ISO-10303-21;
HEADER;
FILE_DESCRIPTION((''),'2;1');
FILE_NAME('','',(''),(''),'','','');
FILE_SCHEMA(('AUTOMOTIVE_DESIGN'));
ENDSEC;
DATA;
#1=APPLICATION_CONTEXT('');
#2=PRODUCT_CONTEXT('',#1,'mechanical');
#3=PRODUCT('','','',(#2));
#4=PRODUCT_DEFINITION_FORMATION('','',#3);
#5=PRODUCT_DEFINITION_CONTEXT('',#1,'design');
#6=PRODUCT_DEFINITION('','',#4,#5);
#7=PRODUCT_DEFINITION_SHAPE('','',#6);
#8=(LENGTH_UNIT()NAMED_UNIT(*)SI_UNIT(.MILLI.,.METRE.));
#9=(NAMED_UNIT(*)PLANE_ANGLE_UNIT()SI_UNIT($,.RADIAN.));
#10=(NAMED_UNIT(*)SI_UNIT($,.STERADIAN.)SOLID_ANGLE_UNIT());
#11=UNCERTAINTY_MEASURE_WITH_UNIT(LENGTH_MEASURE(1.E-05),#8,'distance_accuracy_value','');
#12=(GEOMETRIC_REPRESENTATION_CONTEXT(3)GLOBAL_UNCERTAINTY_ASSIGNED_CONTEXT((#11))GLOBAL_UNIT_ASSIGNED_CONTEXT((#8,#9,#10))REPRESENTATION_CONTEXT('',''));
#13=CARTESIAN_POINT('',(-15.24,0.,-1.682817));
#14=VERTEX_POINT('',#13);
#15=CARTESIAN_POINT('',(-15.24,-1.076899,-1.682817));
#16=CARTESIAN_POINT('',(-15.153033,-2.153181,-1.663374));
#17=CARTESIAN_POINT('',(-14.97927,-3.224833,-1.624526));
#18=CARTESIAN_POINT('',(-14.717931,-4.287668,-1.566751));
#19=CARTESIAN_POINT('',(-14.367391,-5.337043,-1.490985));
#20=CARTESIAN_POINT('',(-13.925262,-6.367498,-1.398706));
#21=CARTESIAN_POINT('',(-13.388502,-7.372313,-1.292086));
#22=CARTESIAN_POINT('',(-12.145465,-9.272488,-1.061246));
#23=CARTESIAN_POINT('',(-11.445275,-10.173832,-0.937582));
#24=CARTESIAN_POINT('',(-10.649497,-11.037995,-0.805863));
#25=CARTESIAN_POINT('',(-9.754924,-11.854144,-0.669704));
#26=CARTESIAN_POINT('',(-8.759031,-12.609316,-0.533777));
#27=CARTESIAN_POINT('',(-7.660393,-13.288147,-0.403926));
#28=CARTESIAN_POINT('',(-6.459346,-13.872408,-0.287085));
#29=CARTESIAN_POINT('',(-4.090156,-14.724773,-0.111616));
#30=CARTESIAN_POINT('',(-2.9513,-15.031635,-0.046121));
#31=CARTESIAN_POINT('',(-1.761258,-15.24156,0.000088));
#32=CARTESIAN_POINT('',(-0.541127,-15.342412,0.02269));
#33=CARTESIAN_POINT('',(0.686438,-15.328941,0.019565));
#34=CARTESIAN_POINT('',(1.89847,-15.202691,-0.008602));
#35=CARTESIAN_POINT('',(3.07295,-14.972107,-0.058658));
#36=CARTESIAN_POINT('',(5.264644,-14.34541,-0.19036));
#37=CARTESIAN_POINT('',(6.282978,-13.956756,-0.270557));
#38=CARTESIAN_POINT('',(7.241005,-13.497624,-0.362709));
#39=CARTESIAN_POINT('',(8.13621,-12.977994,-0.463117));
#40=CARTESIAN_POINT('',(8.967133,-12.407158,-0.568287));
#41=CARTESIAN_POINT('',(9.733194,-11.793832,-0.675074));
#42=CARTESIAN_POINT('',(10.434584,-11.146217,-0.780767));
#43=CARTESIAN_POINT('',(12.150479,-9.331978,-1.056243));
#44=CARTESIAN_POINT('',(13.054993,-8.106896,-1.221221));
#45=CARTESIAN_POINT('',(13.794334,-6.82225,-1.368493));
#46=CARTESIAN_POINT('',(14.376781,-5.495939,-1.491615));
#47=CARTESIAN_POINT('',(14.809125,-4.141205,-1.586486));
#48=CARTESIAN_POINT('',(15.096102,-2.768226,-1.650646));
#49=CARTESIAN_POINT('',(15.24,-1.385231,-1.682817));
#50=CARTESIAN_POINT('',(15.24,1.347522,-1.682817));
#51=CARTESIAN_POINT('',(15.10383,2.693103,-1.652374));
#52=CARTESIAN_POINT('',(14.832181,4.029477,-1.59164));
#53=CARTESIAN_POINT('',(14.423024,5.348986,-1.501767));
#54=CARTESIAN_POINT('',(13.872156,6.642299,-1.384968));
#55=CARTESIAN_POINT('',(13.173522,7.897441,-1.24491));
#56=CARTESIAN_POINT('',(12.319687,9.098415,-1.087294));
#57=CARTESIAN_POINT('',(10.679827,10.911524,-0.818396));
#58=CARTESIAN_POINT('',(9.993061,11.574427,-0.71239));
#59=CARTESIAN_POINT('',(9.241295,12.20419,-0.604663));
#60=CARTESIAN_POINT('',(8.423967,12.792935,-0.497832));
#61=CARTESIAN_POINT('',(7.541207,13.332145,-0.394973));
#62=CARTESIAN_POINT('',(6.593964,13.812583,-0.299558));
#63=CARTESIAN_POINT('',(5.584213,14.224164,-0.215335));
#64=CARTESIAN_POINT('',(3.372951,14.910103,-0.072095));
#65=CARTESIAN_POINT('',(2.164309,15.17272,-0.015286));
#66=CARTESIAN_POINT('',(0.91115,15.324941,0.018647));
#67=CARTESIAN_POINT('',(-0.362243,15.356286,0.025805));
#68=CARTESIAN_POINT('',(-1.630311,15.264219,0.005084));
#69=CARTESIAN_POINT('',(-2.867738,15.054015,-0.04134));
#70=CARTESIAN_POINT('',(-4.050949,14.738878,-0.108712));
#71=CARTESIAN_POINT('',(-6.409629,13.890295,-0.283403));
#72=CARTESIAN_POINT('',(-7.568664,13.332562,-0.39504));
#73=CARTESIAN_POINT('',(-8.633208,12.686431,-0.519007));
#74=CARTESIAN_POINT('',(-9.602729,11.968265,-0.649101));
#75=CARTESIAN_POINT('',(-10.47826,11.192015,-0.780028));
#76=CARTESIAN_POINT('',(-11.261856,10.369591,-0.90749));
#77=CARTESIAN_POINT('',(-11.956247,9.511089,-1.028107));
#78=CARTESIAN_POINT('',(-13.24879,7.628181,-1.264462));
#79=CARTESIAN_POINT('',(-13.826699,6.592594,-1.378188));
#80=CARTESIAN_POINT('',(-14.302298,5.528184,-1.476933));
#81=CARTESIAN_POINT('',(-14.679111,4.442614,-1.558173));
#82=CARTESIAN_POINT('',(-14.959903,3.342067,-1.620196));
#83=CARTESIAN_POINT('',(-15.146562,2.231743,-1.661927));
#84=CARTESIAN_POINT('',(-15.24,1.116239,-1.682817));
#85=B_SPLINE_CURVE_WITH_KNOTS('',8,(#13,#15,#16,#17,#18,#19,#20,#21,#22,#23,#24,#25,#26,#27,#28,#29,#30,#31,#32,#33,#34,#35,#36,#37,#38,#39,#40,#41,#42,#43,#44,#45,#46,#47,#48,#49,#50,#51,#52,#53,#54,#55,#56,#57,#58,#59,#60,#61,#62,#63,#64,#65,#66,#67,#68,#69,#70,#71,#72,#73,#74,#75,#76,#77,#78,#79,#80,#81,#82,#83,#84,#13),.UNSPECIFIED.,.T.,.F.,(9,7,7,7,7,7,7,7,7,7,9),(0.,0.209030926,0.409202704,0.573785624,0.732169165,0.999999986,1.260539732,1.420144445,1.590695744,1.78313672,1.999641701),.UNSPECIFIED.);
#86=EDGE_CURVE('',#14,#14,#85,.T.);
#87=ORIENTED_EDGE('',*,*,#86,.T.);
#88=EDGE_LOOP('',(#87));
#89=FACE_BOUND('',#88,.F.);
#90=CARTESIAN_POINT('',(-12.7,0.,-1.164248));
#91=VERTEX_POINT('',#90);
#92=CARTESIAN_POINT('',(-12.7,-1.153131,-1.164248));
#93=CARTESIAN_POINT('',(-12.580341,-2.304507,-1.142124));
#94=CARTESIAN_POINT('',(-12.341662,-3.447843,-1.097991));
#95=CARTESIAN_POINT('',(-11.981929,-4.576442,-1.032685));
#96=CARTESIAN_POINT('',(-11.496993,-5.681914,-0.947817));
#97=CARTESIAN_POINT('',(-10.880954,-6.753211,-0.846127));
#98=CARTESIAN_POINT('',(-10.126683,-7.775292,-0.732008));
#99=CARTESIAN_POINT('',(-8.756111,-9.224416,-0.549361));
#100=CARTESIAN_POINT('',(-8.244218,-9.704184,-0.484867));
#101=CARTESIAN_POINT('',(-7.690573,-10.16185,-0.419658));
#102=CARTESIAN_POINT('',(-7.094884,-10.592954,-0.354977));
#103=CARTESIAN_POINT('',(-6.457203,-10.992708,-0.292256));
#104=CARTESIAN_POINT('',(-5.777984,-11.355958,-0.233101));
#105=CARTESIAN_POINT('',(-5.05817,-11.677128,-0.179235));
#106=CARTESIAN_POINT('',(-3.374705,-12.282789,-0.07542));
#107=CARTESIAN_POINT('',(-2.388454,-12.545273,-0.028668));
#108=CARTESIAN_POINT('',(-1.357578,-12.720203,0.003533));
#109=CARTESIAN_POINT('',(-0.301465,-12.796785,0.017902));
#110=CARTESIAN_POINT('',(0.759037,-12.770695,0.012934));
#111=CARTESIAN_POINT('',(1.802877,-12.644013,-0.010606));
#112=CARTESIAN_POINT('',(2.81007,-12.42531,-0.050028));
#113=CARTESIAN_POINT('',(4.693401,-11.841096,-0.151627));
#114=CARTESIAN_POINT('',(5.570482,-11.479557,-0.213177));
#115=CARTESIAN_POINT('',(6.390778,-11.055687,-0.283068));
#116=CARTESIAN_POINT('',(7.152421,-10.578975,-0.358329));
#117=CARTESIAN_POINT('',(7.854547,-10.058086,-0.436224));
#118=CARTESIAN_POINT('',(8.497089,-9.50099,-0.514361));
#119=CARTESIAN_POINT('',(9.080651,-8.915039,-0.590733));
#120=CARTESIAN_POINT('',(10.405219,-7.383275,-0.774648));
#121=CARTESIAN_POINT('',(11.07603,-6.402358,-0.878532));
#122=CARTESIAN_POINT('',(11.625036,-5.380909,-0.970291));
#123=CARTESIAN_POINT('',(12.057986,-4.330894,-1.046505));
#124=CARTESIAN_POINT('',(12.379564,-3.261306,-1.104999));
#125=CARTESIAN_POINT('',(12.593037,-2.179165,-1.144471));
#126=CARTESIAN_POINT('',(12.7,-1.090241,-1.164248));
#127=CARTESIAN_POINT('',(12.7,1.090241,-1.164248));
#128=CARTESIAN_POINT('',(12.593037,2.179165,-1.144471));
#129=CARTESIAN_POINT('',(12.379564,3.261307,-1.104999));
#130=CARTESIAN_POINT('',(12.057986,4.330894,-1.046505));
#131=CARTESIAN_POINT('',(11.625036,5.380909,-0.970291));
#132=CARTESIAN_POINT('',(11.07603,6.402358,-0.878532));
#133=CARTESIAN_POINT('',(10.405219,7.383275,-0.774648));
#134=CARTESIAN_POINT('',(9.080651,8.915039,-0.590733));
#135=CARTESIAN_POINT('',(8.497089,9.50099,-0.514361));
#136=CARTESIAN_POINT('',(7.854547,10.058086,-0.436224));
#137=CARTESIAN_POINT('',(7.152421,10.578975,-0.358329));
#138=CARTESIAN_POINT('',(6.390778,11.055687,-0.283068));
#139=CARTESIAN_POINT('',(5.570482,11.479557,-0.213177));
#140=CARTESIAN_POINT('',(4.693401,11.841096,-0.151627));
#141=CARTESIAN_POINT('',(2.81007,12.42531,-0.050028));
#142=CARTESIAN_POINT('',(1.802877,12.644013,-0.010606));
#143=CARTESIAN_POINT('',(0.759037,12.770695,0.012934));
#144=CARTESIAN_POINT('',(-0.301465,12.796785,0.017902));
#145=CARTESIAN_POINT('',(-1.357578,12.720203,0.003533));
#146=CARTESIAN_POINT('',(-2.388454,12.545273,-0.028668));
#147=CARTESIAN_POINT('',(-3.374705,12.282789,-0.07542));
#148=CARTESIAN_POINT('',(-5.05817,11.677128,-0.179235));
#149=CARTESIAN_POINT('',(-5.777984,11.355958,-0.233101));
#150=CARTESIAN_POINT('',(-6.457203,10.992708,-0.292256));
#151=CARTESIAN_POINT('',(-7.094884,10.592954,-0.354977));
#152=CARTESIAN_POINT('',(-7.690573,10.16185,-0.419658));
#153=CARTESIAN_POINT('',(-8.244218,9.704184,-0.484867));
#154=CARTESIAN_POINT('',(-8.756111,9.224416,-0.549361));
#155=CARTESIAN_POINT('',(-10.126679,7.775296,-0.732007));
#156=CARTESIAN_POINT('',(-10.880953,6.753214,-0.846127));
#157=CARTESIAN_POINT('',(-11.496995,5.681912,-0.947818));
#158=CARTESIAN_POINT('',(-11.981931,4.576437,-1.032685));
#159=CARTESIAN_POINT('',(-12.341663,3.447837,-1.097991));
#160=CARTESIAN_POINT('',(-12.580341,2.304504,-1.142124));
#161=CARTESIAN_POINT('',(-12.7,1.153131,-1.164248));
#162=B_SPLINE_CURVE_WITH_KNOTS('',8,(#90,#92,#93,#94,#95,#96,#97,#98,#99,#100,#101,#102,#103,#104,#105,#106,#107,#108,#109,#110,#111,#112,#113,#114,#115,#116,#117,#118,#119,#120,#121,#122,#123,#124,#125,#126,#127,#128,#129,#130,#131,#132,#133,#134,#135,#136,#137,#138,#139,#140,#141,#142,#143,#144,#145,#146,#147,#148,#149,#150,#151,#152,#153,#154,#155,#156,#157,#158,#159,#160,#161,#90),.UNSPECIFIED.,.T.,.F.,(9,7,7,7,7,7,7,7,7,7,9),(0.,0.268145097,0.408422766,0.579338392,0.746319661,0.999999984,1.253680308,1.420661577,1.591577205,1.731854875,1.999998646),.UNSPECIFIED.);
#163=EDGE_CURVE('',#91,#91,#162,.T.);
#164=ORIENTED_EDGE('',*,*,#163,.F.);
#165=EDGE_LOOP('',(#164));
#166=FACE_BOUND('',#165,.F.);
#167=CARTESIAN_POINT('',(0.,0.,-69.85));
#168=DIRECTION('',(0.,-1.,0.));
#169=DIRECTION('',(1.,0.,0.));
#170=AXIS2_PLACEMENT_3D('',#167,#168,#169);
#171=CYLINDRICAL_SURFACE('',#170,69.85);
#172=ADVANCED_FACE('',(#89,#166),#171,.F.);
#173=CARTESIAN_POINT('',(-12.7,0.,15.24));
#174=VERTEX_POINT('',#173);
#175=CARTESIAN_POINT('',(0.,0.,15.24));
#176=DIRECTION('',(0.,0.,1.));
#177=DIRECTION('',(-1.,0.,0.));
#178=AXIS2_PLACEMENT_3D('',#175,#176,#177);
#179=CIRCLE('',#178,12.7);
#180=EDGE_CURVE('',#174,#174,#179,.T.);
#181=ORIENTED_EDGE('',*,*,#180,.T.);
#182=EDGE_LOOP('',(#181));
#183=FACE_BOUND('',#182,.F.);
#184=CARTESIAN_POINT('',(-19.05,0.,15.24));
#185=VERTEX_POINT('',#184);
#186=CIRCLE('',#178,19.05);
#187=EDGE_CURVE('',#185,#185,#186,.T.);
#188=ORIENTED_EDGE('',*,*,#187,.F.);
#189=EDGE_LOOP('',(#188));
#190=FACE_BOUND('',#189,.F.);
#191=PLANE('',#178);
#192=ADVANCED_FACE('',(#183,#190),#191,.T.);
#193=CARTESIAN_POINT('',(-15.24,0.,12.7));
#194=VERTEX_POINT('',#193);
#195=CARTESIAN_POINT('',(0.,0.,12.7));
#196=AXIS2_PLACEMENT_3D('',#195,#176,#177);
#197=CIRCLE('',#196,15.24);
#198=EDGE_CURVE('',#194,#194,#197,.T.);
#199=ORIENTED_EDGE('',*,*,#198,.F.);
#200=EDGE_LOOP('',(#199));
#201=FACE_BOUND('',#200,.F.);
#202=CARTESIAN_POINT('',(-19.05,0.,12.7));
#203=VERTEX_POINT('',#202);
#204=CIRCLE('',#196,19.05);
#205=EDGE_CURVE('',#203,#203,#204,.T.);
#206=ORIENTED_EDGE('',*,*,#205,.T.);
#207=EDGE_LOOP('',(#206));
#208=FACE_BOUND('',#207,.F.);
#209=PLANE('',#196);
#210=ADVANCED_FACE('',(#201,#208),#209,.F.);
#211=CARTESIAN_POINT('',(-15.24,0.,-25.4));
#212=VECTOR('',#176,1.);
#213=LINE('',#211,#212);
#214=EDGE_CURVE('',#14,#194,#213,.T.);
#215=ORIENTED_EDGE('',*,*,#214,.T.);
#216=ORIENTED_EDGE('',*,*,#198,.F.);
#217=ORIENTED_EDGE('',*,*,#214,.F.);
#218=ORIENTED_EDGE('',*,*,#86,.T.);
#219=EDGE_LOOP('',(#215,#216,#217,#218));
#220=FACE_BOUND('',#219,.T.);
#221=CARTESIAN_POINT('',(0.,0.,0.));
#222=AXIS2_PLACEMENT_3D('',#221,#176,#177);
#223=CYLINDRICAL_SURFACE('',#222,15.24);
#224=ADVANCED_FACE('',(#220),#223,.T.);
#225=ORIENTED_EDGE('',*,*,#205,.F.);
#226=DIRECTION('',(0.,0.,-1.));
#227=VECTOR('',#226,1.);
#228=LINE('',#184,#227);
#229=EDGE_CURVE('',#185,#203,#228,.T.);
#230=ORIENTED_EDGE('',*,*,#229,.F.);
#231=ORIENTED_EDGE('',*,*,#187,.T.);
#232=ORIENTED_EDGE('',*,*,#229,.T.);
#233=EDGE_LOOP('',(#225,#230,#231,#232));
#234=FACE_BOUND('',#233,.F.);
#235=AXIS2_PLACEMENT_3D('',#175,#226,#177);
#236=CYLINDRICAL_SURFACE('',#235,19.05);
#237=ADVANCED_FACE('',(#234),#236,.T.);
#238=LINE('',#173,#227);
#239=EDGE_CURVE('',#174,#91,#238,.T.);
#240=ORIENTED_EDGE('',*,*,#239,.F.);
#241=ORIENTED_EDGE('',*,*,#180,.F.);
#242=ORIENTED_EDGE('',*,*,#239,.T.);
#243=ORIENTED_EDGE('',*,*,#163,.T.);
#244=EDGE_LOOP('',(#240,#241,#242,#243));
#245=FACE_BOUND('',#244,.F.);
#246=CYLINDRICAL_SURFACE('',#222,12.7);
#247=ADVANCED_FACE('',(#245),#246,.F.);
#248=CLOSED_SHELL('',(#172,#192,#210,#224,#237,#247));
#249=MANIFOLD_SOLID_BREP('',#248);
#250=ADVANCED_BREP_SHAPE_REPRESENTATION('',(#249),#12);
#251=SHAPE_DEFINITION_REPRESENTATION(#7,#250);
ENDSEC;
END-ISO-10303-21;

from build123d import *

# Parameters (mm, degrees)
F0_W          = 2.54
F0_H          = 12.7
F3_DEPTH      = 25.4
F2_R          = 69.85
F4_DEPTH      = 25.4
F4_DEPTH_BACK = 25.4


with BuildPart() as f1:
    # F0 (on Front) → F1 (revolve)
    with BuildSketch(Plane.XZ):
        with Locations((-13.97, 6.35)):
            Rectangle(F0_W, F0_H)
        Polygon((-15.24, 12.7), (-12.7, 12.7), (-12.7, 15.24), (-19.05, 15.24), (-19.05, 12.7), align=None)
    revolve(axis=Axis((0, 0, 10.1733254269), (0, 0, 1)))

    # F3 (add): a face of the model
    f3_faces = [f1.faces().sort_by_distance(p)[0] for p in [
        (14.8089477062, 0, 0),
    ]]
    extrude(f3_faces, amount=F3_DEPTH)

    # F2 (on Front) → F4 (cut, two sides)
    with BuildSketch(Plane.XZ) as f4_sk:
        with Locations((0, -69.85)):
            Circle(F2_R)
    extrude(amount=-F4_DEPTH, mode=Mode.SUBTRACT)
    extrude(f4_sk.sketch, amount=F4_DEPTH_BACK, mode=Mode.SUBTRACT)


solid = f1.part
